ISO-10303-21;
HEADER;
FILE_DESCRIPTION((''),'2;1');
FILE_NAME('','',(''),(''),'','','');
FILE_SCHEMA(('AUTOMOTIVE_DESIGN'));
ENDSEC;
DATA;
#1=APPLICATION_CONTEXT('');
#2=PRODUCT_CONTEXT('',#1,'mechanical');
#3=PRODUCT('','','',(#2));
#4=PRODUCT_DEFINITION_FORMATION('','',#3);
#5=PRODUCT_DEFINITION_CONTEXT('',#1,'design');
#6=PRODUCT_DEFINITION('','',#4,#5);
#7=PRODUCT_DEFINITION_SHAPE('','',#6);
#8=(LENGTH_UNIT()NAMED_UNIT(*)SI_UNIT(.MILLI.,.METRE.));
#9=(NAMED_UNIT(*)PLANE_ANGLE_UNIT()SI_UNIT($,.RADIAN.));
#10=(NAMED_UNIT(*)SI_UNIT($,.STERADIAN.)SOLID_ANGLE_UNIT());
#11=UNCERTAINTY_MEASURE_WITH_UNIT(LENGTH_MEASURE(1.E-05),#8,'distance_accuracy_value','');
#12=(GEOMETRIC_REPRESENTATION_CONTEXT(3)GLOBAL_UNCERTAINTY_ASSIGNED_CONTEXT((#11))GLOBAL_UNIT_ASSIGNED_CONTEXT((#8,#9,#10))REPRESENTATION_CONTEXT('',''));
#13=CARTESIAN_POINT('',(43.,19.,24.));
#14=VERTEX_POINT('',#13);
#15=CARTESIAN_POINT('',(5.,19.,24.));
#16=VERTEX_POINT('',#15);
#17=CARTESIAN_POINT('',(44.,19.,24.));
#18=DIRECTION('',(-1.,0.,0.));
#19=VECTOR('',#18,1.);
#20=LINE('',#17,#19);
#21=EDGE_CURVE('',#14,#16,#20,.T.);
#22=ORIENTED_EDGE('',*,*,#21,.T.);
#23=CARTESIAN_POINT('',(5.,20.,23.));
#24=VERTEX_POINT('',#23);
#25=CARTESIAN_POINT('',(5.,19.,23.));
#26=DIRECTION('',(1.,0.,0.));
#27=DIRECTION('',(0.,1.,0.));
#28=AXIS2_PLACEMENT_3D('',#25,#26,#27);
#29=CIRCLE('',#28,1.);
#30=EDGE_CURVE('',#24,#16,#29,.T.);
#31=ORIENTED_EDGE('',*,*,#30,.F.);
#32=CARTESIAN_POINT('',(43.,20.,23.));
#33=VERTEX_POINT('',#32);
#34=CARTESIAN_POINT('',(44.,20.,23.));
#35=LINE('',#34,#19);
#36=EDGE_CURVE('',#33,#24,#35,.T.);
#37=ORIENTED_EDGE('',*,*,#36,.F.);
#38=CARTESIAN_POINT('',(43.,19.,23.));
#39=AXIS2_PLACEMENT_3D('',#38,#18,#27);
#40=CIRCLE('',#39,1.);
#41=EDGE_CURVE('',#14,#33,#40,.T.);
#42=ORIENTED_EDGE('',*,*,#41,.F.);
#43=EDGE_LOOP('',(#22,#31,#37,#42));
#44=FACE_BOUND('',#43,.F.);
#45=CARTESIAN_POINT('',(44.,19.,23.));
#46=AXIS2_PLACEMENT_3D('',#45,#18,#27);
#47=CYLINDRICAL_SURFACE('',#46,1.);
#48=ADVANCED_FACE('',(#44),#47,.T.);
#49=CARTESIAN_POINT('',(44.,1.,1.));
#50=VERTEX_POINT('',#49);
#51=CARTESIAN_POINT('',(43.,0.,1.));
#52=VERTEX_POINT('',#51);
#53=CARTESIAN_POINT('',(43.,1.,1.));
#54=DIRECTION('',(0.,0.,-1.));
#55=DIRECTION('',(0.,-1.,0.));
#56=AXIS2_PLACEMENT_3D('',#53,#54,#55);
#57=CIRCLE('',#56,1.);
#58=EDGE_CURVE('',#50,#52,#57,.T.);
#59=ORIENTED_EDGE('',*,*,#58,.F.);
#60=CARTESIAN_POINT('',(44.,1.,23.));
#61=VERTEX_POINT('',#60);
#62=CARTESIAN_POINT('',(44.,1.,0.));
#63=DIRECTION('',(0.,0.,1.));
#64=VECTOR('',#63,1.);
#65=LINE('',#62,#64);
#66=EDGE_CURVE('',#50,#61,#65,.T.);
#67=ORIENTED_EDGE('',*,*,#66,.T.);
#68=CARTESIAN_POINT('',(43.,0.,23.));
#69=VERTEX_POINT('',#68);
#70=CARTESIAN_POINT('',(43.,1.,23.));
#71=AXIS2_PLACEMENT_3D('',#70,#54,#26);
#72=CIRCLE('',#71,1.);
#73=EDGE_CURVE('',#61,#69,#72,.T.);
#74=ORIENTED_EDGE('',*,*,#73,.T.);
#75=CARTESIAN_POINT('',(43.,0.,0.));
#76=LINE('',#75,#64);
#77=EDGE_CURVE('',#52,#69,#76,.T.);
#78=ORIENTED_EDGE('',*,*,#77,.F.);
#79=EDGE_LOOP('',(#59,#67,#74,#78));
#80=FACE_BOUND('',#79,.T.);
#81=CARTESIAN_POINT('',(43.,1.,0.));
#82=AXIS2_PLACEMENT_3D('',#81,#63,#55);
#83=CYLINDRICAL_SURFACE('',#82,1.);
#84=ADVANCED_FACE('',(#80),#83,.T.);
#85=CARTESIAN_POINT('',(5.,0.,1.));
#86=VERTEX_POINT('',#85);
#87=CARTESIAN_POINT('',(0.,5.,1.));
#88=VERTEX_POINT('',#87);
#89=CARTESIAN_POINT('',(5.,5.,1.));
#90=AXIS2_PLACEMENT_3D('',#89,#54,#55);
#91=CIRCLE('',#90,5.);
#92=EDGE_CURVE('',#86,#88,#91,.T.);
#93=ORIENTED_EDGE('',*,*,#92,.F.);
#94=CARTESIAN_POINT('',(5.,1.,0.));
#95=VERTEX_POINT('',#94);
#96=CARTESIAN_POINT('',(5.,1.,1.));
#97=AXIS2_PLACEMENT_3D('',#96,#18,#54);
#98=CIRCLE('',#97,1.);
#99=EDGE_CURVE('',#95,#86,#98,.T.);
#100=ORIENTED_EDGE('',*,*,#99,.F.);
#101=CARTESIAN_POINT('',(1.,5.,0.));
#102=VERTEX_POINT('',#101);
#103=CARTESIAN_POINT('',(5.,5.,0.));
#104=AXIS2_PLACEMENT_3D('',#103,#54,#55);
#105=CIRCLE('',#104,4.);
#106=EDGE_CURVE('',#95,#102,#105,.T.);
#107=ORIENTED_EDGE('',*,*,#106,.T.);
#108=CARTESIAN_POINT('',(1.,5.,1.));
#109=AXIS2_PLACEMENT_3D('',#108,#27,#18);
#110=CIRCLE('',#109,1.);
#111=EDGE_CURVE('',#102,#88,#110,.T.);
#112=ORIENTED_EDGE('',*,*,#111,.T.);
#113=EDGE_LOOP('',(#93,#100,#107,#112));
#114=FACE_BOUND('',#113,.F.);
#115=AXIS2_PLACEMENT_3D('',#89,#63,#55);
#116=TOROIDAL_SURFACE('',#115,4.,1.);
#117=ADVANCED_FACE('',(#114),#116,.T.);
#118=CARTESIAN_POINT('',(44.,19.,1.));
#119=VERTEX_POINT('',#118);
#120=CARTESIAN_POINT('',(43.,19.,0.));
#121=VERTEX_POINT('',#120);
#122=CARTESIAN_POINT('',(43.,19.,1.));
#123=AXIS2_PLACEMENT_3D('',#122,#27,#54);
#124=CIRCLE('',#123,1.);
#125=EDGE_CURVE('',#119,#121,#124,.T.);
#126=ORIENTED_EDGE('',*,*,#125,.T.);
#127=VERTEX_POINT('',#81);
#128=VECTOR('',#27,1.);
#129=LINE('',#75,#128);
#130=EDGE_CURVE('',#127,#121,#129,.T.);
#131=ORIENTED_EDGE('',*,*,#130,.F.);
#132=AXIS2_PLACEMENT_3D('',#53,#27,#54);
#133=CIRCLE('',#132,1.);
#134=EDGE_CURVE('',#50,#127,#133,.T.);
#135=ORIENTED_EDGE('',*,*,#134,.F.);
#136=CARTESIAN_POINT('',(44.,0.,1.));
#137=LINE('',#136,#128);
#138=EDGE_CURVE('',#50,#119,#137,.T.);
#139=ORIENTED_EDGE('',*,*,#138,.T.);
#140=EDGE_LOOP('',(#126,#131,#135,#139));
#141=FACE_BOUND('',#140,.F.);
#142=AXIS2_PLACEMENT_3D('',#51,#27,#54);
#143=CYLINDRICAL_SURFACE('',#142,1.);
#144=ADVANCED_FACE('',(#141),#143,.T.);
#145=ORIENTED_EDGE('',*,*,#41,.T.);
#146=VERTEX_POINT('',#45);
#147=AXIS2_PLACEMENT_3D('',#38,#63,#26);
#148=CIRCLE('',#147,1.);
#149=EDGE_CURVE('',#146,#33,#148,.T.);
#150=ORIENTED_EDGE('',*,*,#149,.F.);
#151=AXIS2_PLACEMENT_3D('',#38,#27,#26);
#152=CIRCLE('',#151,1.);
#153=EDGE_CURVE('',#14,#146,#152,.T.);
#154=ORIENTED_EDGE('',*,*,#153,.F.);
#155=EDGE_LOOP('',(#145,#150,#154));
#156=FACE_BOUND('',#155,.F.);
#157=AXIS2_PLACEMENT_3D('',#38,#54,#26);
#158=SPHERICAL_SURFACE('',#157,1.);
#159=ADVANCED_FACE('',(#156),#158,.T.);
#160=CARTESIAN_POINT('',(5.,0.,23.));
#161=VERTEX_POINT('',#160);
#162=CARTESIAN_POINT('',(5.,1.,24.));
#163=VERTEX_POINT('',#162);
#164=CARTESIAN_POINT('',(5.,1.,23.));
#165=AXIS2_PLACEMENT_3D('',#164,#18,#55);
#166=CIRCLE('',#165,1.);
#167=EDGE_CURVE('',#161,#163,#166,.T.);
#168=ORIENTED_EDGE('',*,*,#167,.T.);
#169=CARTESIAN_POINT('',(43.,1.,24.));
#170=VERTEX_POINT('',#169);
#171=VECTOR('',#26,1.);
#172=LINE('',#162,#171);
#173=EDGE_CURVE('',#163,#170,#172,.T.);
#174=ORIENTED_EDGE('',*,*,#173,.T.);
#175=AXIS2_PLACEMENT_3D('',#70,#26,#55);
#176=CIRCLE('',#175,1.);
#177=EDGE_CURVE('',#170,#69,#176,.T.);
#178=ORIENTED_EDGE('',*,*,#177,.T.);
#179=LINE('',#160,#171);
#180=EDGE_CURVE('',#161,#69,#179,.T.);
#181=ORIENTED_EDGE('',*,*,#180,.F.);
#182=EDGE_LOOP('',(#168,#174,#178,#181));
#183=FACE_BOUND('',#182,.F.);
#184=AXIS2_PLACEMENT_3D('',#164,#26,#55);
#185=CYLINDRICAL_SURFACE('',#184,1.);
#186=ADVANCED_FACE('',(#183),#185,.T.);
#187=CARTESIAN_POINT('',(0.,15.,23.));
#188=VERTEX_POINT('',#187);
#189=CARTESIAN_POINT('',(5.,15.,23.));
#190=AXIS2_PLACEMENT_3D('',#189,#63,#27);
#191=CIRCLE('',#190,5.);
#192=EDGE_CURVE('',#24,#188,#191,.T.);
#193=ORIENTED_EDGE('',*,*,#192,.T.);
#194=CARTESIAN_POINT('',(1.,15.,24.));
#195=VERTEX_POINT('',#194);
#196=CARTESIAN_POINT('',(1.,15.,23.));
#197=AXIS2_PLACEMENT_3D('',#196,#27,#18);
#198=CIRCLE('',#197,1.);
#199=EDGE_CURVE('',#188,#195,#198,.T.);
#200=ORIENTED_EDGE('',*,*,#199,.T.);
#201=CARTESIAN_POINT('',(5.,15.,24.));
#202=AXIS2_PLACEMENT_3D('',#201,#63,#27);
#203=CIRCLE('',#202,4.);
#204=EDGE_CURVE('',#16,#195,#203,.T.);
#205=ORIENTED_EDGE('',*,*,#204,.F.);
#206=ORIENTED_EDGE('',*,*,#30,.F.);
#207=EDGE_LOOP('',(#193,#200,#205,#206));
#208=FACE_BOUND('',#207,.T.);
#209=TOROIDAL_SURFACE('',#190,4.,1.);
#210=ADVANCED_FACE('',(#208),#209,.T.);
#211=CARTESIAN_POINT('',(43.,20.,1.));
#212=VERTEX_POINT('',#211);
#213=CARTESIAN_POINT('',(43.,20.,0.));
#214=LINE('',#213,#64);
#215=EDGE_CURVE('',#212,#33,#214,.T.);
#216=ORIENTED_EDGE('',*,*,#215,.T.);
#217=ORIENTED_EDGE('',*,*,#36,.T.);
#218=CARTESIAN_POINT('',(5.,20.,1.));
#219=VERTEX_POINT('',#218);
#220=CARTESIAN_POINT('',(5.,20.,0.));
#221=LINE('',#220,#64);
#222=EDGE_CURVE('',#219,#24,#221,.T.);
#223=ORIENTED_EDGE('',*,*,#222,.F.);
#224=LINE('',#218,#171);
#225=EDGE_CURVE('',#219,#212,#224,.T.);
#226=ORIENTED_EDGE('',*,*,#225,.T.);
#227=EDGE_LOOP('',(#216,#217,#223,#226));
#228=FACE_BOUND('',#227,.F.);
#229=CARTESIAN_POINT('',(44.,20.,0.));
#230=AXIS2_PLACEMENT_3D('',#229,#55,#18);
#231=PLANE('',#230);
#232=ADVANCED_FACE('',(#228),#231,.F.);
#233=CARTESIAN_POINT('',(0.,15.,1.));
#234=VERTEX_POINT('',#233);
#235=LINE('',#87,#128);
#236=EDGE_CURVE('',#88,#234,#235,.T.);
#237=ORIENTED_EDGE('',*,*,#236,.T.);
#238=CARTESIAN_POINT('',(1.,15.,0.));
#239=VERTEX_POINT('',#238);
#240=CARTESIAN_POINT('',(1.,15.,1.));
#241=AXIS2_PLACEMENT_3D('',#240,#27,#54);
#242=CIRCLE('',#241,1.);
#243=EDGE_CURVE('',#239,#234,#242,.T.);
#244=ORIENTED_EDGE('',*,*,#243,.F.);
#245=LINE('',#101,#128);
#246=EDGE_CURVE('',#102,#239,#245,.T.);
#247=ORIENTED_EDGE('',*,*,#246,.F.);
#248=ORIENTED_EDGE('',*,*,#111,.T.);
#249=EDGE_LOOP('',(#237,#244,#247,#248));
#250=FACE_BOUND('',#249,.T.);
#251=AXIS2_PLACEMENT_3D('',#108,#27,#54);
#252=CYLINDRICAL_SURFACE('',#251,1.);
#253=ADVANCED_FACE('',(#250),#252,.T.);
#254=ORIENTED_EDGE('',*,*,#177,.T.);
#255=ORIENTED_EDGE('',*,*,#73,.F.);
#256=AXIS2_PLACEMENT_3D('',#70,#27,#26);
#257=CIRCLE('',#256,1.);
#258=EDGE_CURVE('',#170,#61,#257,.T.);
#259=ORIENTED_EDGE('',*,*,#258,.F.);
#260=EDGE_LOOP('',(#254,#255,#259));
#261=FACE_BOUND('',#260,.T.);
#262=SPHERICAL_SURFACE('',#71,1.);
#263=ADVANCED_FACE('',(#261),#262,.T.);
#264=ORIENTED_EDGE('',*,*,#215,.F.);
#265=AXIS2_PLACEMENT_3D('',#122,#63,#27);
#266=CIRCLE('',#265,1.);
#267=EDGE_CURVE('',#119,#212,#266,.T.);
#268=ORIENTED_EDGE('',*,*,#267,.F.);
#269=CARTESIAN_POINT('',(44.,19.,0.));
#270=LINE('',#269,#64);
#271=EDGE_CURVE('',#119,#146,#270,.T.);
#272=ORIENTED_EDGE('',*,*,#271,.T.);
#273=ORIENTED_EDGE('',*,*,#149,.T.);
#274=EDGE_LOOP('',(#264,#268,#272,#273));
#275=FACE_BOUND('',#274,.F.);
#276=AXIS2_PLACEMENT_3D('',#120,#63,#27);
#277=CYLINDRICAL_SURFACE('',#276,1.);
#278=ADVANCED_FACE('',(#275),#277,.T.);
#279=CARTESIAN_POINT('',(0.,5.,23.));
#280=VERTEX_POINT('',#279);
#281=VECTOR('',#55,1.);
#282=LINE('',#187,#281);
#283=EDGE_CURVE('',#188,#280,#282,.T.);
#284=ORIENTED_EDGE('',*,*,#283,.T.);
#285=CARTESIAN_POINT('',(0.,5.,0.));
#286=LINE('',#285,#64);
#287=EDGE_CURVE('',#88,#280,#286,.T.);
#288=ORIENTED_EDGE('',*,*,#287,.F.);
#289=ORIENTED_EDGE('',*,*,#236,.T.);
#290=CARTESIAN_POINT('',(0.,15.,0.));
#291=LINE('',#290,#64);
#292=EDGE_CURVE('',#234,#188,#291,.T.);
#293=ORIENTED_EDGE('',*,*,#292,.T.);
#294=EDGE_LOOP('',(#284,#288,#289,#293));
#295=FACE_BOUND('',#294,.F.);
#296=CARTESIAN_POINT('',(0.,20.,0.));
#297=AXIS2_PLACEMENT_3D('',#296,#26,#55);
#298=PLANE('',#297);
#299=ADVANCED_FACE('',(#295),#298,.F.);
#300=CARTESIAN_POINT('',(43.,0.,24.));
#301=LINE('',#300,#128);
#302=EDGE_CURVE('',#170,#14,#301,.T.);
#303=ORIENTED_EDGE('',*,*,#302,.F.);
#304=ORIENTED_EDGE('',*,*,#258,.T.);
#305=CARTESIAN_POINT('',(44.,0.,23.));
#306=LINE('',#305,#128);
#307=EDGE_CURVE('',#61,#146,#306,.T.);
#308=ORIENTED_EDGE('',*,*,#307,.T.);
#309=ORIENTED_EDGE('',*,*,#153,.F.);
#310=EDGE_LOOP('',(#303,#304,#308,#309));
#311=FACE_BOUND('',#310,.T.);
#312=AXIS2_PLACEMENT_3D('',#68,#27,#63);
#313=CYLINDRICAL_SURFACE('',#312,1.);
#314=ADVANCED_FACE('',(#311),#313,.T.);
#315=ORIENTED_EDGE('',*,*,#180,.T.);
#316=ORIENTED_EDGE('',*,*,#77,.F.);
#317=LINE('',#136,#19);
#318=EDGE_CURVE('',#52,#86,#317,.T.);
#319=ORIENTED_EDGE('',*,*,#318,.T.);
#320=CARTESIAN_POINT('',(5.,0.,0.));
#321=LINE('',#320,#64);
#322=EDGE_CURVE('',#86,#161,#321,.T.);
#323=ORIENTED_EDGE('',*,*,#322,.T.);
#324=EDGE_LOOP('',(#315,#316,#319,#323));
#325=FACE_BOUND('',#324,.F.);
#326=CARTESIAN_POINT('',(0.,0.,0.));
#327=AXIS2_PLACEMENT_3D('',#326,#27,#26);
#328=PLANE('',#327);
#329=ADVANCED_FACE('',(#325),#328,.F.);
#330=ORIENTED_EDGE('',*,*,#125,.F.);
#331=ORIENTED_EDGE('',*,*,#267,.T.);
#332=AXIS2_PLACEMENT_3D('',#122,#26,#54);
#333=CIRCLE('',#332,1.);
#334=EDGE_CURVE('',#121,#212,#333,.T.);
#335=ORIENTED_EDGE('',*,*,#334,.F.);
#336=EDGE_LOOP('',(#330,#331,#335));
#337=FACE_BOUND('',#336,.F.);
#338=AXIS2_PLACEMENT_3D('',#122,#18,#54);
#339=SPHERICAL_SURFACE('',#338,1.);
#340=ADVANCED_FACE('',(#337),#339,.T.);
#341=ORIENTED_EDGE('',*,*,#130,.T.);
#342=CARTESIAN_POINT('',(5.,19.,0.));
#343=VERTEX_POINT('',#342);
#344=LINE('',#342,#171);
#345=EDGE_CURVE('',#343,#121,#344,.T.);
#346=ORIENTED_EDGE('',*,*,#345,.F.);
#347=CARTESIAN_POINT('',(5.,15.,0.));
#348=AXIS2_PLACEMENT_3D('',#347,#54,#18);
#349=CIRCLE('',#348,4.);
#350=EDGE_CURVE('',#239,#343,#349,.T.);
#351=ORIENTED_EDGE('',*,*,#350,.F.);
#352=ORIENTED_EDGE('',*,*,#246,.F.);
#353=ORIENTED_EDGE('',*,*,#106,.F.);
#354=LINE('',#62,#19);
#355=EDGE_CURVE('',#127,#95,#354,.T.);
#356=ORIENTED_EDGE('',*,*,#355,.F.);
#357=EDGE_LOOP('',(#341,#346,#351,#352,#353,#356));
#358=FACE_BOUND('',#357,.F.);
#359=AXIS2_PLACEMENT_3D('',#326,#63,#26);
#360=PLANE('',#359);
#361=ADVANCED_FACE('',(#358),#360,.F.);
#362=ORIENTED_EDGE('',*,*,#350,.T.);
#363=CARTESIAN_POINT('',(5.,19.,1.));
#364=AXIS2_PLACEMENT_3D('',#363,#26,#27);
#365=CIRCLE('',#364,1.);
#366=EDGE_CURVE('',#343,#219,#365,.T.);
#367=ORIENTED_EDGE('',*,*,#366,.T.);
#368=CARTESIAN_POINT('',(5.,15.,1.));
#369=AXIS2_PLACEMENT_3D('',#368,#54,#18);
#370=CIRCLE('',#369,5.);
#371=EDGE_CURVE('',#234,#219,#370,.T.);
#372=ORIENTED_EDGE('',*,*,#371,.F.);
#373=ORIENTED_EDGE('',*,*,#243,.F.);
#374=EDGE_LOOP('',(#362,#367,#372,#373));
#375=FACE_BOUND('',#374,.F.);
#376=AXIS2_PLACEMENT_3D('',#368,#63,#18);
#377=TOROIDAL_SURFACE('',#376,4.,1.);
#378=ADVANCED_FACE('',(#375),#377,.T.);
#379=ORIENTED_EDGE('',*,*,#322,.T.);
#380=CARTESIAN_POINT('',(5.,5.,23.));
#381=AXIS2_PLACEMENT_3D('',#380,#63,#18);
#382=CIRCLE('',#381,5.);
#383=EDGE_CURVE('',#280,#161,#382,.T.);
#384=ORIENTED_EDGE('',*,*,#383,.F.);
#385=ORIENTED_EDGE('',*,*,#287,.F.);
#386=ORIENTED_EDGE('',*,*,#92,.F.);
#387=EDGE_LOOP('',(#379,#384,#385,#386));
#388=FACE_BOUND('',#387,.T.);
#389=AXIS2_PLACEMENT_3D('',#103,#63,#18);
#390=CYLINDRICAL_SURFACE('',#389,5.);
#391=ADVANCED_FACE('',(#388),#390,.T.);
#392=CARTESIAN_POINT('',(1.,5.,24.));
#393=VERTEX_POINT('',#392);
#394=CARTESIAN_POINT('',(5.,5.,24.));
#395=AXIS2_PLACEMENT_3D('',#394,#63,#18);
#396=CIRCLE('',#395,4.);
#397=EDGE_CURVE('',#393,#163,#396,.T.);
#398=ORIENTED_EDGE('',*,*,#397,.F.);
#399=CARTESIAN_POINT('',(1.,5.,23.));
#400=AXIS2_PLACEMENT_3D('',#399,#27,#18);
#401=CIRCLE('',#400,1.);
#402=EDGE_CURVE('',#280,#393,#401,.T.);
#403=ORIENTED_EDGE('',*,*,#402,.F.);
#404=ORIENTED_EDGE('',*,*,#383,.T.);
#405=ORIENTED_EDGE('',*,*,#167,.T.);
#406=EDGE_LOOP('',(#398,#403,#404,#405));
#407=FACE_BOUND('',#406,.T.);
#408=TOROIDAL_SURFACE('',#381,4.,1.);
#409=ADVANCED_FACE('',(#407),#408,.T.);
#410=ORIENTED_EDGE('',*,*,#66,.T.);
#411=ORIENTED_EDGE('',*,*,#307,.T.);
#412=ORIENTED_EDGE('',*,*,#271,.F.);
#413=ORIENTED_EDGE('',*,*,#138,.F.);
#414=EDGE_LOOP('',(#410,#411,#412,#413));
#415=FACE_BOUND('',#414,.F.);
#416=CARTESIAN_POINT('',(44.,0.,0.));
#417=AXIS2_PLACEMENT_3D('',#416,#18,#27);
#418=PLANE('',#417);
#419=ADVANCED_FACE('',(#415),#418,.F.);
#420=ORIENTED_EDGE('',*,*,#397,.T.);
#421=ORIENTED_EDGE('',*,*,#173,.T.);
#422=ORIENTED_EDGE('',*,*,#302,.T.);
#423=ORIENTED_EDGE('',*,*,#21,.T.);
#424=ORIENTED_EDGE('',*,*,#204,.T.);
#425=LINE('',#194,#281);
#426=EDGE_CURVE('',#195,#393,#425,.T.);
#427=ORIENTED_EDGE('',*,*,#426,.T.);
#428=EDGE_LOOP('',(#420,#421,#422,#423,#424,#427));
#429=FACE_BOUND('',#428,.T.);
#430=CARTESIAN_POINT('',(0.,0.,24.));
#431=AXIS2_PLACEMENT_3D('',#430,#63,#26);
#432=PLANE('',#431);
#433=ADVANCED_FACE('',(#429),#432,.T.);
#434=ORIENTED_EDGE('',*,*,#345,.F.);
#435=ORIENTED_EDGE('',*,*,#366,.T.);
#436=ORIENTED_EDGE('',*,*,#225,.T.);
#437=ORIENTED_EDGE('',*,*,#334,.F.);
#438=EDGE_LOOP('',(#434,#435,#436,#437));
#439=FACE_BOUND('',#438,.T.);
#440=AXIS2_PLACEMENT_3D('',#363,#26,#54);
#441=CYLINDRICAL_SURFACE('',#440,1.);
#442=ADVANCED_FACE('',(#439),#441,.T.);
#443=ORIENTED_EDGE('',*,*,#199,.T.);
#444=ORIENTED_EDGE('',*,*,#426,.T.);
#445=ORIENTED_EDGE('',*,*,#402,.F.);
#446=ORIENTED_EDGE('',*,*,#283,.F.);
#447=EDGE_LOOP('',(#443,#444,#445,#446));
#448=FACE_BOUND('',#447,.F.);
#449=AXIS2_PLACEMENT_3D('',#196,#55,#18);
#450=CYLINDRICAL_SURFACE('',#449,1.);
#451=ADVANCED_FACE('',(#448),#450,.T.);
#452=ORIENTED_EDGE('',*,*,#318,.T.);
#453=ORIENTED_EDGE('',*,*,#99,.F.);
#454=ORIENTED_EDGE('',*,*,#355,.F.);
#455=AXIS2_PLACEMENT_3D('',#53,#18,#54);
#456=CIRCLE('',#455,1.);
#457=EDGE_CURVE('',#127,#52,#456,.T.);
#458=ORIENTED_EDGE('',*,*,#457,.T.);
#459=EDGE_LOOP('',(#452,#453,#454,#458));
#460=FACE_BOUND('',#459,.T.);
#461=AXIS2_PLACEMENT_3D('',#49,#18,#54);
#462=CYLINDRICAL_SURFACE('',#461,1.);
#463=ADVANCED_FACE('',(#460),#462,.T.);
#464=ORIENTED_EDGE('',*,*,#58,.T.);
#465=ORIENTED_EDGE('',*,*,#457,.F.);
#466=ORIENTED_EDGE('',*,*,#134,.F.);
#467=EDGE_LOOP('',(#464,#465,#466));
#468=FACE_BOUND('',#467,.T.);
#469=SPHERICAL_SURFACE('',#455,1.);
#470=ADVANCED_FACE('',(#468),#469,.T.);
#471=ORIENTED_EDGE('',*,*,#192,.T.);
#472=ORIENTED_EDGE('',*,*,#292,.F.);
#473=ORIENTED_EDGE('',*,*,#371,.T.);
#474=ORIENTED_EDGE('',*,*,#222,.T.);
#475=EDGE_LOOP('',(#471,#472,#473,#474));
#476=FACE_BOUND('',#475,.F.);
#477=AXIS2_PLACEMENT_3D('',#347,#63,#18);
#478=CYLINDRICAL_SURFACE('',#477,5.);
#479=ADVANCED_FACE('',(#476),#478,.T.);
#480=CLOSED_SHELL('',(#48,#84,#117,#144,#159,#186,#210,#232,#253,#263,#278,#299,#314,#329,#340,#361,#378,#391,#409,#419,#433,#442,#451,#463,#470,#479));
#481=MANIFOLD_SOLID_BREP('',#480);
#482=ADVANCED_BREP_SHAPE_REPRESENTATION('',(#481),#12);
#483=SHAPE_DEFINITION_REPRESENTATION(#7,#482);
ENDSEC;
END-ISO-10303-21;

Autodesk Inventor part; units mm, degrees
ref_plane "YZ Plane" through (0, 0, 0) normal (1, 0, 0) x (0, 1, 0)
ref_plane "XZ Plane" through (0, 0, 0) normal (0, 1, 0) x (-1, 0, 0)
ref_plane "XY Plane" through (0, 0, 0) normal (0, 0, 1) x (1, 0, 0)
sketch "Náčrt1" plane through (0, 0, 0) normal (0, 0, 1) x (1, 0, 0)
  line L0 (0, 0) -> (44, 0)
  line L1 (44, 0) -> (44, 20)
  line L2 (44, 20) -> (0, 20)
  line L3 (0, 20) -> (0, 0)
  dimension "d0" = 44
  dimension "d1" = 20
extrude "Vysunutí1" add sketch "Náčrt1" along normal blind 24
fillet "Zaoblení1" radius 5 2 edges at (0, 20, 12) (0, 0, 12)
fillet "Zaoblení2" radius 1 14 edges at (1.4645, 18.5355, 0) (0, 10, 0) (1.4645, 1.4645, 0) (24.5, 0, 0) (24.5, 20, 0) (44, 10, 0) (44, 20, 12) (44, 0, 12) (44, 10, 24) (1.4645, 1.4645, 24) (0, 10, 24) (1.4645, 18.5355, 24) (24.5, 20, 24) (24.5, 0, 24)
properties part number "baterie"
